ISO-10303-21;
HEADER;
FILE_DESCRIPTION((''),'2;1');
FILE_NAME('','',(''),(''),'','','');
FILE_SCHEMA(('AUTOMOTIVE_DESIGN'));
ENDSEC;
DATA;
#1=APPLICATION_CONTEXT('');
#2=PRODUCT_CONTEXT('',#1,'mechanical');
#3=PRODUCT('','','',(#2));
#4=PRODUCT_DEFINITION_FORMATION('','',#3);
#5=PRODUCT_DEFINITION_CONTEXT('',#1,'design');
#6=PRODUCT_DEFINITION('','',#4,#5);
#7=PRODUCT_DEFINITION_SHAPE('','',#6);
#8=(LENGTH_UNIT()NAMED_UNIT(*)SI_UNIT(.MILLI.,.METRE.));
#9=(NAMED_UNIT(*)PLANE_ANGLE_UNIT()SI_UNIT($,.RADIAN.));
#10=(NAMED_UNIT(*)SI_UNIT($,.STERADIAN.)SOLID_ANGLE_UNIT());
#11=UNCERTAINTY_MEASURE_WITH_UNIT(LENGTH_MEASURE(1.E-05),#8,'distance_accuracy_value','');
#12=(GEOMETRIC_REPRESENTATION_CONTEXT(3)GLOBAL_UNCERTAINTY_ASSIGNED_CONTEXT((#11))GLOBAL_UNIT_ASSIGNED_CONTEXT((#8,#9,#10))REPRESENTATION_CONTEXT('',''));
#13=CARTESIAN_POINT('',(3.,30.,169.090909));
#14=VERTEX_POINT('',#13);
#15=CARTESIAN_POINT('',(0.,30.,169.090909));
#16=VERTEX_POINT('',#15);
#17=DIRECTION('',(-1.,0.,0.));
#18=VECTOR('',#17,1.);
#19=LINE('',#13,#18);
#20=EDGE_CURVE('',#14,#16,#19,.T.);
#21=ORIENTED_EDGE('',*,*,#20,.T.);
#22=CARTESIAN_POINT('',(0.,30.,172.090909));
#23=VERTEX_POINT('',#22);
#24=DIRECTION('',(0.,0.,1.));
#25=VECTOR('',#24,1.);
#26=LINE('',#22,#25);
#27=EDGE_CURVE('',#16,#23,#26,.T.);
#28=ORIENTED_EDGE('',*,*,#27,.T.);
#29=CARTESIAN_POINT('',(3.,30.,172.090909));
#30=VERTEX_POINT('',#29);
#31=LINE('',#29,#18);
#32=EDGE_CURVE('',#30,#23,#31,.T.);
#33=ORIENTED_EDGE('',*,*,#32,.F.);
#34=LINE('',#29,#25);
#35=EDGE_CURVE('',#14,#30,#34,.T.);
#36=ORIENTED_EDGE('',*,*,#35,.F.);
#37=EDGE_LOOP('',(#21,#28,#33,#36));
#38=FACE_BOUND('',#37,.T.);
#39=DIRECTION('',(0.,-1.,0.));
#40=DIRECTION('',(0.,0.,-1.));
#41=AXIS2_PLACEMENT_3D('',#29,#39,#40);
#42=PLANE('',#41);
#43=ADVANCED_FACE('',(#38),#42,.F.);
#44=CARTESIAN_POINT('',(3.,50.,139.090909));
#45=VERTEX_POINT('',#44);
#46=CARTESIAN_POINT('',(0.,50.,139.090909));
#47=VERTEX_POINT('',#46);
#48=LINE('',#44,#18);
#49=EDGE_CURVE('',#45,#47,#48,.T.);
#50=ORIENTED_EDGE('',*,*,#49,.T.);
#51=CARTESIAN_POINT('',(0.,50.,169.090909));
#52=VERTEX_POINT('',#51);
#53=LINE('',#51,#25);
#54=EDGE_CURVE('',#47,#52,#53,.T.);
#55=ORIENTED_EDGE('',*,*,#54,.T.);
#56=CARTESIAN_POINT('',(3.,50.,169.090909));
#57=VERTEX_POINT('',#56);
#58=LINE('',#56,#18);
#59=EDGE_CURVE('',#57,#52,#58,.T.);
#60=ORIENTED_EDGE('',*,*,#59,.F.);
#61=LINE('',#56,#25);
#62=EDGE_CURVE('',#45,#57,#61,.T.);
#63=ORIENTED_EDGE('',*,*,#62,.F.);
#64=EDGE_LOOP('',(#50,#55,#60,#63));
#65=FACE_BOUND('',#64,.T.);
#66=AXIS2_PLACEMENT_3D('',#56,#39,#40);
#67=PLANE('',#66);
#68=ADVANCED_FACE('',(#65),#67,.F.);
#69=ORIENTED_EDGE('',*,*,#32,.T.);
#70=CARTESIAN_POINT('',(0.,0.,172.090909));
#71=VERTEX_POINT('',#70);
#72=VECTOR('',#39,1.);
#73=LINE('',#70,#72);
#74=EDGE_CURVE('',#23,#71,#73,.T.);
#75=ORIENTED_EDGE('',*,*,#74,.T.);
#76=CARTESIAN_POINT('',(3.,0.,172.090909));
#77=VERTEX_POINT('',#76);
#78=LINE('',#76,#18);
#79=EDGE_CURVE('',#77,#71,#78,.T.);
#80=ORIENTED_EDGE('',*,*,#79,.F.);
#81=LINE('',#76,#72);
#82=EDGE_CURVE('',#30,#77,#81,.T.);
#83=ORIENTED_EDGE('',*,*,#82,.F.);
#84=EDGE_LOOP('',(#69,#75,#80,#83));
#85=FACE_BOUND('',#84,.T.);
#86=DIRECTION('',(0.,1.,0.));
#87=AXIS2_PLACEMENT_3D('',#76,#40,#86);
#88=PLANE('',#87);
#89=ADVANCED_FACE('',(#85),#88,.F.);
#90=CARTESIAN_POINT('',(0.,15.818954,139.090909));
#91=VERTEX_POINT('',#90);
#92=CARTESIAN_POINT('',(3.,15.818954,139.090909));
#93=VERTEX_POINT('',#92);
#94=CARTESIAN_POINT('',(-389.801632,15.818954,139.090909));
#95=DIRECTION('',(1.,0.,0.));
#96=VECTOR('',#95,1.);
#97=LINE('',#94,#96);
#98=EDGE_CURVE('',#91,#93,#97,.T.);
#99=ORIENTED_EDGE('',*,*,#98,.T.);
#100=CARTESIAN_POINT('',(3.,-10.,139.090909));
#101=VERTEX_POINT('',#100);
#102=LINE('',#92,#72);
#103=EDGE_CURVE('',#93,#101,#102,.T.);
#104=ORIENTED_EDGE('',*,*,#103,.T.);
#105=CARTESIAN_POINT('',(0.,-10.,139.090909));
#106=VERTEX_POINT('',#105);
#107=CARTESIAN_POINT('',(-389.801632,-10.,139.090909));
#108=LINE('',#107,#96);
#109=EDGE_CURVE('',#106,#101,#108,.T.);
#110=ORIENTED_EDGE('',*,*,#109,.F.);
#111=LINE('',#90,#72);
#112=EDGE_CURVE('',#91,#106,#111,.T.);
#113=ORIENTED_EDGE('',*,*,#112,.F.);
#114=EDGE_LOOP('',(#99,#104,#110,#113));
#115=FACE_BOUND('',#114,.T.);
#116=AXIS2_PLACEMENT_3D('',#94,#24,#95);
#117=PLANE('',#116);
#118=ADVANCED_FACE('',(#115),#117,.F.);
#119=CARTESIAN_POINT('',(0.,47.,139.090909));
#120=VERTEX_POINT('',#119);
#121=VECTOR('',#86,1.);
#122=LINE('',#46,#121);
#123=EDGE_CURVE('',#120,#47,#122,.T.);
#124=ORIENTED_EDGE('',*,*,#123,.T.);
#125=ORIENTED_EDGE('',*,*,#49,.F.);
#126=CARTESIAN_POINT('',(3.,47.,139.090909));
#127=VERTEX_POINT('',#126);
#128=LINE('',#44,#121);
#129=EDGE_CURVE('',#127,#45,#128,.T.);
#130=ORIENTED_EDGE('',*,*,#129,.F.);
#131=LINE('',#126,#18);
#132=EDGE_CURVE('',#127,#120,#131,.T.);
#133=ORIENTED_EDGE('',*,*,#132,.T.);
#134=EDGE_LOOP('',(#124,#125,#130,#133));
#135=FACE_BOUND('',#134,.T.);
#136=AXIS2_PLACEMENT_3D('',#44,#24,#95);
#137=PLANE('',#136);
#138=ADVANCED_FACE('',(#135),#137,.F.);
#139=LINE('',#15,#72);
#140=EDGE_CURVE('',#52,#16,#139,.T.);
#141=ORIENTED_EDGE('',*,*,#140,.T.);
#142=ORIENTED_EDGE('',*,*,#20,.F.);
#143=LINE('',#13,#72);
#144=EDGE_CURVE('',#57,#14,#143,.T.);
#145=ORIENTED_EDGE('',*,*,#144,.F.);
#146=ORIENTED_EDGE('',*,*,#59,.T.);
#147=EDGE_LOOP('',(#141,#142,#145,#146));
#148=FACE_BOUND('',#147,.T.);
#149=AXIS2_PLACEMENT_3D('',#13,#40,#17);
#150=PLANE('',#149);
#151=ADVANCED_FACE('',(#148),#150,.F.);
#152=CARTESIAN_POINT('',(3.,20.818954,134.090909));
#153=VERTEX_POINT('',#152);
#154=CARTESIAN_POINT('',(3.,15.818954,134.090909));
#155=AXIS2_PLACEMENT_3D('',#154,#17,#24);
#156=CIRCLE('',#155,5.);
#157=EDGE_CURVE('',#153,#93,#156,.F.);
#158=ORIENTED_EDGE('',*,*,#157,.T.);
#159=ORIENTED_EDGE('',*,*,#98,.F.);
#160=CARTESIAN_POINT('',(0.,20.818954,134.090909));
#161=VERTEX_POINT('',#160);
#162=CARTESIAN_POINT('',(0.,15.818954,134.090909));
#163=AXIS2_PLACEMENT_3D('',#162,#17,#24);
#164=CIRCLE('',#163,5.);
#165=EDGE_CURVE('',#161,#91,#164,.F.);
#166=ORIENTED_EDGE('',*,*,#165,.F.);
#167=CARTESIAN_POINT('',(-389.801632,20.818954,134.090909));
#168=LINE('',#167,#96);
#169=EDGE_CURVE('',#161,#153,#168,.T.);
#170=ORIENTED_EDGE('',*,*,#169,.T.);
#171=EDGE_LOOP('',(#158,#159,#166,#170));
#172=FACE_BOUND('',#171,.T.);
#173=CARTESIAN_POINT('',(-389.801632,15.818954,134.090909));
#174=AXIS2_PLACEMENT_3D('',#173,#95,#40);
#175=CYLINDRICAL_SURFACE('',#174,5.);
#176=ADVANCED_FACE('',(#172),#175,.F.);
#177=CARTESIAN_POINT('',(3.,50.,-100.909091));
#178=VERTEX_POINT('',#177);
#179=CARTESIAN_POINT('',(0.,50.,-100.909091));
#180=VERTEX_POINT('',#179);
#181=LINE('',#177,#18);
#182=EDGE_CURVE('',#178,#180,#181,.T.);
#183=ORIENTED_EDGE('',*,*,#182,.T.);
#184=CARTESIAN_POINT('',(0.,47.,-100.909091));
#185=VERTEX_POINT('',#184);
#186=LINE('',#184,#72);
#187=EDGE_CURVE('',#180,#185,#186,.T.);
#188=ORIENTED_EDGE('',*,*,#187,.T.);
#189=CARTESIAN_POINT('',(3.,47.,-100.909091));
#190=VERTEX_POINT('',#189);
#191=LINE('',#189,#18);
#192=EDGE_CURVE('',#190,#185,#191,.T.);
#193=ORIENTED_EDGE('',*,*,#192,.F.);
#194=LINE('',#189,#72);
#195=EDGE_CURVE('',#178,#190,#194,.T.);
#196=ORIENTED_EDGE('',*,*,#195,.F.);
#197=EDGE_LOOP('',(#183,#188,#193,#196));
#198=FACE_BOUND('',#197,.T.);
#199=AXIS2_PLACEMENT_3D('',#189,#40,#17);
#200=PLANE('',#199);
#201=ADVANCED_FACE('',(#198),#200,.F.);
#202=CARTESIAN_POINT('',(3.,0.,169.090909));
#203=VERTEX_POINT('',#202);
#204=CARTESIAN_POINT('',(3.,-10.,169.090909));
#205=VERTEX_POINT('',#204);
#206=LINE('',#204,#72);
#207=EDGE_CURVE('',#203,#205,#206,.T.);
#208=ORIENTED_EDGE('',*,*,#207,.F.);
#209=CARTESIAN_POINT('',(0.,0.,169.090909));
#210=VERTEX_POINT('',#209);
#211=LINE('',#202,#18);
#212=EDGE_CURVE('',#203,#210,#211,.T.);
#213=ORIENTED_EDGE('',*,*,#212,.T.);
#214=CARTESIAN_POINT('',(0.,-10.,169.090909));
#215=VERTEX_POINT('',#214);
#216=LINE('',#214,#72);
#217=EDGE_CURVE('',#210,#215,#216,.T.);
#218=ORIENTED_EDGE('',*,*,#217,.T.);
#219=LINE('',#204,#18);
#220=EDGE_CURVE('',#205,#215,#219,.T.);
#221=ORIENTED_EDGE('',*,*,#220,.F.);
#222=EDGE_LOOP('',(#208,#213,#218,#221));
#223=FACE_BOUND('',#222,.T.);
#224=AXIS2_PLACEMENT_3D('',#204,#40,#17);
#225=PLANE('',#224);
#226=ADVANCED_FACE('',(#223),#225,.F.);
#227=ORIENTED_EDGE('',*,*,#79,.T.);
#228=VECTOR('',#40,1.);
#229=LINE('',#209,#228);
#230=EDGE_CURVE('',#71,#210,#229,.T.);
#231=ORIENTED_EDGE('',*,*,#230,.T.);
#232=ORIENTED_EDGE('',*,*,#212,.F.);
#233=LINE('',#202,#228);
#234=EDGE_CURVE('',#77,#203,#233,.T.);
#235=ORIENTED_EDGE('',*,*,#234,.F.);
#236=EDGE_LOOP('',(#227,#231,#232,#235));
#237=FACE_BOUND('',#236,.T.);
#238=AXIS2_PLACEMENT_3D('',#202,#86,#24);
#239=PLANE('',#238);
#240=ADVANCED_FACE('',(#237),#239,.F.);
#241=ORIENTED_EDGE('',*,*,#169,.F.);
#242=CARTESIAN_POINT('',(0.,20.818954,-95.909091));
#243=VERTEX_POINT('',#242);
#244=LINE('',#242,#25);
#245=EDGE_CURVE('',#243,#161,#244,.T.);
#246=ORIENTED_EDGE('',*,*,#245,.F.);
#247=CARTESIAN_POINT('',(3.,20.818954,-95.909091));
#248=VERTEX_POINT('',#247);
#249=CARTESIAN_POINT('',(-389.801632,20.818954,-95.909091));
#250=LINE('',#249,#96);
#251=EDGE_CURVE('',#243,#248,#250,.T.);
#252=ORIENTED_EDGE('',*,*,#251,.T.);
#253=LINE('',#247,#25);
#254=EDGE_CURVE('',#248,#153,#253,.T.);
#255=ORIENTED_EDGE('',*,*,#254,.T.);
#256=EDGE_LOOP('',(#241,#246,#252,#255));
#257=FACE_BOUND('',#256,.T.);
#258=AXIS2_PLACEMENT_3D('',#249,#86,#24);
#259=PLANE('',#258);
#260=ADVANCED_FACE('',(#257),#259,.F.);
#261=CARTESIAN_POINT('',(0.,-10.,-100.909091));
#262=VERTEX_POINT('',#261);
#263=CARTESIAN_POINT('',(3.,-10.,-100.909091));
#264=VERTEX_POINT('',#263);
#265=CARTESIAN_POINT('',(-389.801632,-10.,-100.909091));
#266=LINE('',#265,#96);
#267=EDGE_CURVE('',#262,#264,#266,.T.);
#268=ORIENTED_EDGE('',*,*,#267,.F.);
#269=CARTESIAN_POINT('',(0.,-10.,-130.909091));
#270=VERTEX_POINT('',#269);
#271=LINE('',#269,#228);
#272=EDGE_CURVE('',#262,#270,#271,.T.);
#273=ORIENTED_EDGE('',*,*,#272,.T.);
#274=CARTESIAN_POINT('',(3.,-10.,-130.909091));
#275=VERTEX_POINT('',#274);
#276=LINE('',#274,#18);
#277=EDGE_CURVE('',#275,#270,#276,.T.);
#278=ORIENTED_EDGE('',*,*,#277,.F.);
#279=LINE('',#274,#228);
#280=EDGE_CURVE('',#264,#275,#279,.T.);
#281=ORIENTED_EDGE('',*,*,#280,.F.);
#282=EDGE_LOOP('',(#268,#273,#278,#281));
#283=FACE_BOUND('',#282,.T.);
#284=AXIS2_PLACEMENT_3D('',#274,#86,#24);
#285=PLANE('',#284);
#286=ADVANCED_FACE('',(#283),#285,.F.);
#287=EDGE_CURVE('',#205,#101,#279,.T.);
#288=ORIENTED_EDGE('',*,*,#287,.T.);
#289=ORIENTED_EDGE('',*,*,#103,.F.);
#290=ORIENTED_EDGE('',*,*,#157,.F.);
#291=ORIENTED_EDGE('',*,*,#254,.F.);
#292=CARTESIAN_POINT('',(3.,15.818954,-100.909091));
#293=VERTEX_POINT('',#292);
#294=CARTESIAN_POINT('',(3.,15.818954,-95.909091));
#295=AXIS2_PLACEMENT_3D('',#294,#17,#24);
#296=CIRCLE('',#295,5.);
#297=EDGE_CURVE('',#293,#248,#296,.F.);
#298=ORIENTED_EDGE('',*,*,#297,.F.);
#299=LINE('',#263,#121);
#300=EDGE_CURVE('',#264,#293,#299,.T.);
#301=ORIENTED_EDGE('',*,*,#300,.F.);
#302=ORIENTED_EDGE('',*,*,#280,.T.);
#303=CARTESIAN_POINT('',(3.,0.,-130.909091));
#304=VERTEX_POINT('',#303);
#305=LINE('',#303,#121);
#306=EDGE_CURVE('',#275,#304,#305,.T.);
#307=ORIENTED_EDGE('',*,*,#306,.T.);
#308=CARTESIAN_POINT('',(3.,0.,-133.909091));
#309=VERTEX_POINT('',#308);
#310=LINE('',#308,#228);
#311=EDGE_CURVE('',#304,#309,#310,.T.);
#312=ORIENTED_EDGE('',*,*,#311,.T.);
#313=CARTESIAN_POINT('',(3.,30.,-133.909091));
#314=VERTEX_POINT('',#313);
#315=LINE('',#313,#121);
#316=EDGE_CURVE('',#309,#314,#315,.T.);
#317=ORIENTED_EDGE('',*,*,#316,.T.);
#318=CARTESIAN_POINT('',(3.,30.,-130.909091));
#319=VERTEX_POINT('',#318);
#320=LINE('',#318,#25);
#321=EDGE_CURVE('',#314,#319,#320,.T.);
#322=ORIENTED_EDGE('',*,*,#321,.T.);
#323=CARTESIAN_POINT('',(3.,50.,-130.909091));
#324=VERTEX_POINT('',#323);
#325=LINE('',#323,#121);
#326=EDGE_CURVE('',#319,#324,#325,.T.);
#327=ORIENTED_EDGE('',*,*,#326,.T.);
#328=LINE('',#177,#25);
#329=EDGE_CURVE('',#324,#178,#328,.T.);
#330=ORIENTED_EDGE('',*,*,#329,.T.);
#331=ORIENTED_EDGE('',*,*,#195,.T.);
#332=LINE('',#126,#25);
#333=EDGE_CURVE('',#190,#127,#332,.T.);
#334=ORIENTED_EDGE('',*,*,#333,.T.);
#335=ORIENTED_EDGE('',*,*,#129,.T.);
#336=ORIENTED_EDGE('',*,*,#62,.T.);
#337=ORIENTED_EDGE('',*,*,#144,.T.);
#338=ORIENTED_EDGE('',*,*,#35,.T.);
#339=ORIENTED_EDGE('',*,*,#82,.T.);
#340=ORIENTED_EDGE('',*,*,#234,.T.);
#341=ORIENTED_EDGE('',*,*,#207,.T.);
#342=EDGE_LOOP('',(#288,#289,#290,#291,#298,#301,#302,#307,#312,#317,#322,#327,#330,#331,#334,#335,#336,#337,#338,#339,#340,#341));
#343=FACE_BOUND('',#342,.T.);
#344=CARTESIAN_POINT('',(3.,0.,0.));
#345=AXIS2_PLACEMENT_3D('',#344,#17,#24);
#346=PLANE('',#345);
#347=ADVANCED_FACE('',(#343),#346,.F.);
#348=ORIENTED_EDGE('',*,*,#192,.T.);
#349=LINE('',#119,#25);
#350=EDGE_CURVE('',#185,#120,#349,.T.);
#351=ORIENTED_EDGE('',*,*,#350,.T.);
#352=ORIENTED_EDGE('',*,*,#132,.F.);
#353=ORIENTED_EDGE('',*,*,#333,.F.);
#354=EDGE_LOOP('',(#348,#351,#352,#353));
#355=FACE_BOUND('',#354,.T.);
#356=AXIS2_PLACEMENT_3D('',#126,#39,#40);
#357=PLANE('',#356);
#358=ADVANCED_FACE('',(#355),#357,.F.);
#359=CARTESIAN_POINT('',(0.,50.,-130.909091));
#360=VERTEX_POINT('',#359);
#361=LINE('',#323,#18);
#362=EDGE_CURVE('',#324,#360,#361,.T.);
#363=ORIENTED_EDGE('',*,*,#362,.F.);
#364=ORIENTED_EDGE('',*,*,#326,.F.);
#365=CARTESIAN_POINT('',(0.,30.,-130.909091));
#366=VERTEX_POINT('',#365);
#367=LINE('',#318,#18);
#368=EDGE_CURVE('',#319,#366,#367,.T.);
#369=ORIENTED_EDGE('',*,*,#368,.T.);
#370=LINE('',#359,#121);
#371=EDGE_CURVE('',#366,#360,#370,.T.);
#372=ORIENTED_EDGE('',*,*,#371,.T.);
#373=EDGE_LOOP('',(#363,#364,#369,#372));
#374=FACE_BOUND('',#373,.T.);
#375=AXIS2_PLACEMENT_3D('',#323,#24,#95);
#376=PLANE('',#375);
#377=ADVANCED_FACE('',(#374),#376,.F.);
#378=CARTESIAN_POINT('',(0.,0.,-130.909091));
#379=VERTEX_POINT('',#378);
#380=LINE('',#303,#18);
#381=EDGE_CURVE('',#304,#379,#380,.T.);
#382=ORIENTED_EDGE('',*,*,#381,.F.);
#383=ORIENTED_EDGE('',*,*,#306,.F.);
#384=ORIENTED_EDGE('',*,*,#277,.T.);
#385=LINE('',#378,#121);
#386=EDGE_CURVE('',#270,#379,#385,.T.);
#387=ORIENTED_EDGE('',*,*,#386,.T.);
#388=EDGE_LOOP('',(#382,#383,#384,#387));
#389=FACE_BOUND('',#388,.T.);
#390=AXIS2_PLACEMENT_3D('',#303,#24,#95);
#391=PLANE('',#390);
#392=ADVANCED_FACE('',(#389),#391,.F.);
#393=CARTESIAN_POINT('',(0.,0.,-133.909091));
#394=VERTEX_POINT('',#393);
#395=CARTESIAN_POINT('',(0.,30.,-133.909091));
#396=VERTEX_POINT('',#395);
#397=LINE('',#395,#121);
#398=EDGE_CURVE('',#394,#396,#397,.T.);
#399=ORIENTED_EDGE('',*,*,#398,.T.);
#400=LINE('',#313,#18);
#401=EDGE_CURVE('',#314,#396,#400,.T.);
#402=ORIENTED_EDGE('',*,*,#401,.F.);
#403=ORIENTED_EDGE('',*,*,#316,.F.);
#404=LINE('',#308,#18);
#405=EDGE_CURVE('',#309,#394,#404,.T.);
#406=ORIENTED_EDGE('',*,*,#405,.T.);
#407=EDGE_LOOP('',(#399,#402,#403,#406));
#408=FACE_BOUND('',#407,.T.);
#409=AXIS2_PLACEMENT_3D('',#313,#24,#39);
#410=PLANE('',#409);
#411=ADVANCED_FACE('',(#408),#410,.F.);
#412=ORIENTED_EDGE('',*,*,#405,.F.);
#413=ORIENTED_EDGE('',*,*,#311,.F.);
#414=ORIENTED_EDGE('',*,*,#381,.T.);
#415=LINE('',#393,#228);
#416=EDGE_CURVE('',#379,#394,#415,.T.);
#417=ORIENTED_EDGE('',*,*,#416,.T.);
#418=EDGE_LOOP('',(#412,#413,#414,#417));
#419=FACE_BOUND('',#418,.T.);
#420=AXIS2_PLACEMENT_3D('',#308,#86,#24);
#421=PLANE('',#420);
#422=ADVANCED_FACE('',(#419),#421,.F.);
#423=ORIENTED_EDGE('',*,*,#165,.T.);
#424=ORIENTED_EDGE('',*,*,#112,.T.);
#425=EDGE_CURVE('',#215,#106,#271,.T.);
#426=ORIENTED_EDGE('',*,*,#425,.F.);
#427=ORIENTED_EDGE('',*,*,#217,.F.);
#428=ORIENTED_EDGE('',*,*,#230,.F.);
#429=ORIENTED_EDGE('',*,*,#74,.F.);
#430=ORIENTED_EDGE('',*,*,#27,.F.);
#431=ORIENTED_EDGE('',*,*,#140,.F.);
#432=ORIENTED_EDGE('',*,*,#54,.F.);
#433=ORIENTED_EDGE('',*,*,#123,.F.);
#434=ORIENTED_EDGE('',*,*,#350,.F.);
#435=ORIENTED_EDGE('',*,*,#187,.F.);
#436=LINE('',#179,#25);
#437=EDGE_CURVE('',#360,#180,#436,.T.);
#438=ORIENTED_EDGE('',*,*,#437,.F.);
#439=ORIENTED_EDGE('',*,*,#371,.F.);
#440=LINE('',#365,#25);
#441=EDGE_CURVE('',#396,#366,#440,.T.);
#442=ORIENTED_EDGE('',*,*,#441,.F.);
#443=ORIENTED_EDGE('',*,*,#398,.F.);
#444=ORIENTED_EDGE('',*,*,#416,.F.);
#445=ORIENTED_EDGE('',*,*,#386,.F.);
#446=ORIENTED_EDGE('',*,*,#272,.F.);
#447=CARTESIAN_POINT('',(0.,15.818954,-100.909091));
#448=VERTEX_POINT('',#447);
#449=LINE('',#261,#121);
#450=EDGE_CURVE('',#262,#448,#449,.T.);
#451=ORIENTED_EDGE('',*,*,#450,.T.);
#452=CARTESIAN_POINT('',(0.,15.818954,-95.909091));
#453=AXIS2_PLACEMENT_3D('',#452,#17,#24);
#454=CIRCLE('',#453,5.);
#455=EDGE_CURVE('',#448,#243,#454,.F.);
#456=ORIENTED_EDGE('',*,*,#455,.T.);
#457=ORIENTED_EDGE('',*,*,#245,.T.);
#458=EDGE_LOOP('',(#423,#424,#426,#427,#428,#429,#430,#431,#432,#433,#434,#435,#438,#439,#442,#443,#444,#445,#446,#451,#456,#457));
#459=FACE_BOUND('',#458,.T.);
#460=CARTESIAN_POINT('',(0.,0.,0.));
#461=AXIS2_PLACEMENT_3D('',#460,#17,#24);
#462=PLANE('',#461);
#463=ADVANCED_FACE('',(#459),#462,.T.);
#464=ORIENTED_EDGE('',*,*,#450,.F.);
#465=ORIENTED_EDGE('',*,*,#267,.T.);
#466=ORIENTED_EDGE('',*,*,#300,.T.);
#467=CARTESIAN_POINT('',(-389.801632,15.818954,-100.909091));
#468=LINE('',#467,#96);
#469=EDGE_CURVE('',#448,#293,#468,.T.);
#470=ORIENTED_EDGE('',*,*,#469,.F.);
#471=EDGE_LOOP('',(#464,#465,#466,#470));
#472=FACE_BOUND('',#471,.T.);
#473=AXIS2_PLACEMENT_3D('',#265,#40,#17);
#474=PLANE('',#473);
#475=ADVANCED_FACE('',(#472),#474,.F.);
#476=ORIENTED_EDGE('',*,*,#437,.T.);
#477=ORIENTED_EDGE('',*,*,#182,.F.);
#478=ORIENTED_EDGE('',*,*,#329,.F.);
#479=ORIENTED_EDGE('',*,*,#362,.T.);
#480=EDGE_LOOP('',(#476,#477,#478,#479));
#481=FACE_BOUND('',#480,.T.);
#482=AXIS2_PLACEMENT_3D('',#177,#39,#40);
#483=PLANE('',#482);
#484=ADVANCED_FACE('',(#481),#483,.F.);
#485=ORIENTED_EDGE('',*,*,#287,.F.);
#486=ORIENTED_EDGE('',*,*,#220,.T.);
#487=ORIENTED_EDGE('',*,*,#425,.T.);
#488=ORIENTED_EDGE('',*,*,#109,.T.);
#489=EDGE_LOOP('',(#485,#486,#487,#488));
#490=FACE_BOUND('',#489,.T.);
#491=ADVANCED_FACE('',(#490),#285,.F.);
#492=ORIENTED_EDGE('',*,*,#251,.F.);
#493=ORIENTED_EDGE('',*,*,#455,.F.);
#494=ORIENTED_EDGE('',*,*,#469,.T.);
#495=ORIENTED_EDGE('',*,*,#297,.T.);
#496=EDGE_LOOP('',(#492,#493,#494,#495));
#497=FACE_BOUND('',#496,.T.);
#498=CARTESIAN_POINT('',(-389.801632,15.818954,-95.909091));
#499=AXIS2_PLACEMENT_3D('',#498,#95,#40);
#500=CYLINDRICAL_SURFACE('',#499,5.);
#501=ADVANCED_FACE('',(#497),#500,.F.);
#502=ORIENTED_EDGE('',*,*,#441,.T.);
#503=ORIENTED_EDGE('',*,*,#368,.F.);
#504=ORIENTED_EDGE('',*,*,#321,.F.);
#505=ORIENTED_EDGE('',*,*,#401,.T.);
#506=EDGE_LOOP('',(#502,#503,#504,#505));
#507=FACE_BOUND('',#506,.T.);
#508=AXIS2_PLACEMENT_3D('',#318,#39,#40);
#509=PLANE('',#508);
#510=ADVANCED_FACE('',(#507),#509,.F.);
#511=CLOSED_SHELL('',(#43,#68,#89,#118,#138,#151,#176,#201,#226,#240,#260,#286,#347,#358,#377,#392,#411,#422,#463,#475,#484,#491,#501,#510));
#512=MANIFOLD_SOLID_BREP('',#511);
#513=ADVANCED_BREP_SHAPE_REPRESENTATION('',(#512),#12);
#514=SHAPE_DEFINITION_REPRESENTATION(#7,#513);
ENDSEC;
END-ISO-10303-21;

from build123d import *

# Parameters (mm, degrees)
BOSS_EXTRUDE1_DEPTH     = 3
CUT_EXTRUDE2_DEPTH      = 180.232477503
CUT_EXTRUDE2_DEPTH_BACK = 3


with BuildPart() as part:
    # Sketch1 → Boss-Extrude1 (new body)
    with BuildSketch(Plane(origin=(0, 0, 0), x_dir=(0, 0, -1), z_dir=(1, 0, 0))):
        Polygon((-169.090909091, 50), (-139.090909091, 50), (-139.090909091, 47), (100.909090909, 47), (100.909090909, 50), (130.909090909, 50), (130.909090909, 30), (133.909090909, 30), (133.909090909, 0), (130.909090909, 0), (130.909090909, -10), (-169.090909091, -10), (-169.090909091, 0), (-172.090909091, 0), (-172.090909091, 30), (-169.090909091, 30), align=None)
    extrude(amount=BOSS_EXTRUDE1_DEPTH)

    # Sketch2 → Cut-Extrude2 (cut, two sides: drawn at the far end of the back side and taken through both)
    with BuildSketch(Plane.ZY.offset(-CUT_EXTRUDE2_DEPTH_BACK)):
        with BuildLine():
            Line((-100.909090909, -579.031305027), (-100.909090909, -10))
            Line((-100.909090909, -10), (-100.909090909, 15.818953756))
            ThreePointArc((-100.909090909, 15.818953756), (-99.444624815, 19.354487662), (-95.909090909, 20.818953756))
            Line((-95.909090909, 20.818953756), (134.090909091, 20.818953756))
            ThreePointArc((134.090909091, 20.818953756), (137.626442997, 19.354487662), (139.090909091, 15.818953756))
            Line((139.090909091, 15.818953756), (139.090909091, -10))
            Line((139.090909091, -10), (139.090909091, -579.031305027))
            Line((139.090909091, -579.031305027), (139.090909091, -1717.09391508))
            Line((139.090909091, -1717.09391508), (-100.909090909, -1717.09391508))
            Line((-100.909090909, -1717.09391508), (-100.909090909, -579.031305027))
        make_face()
    extrude(amount=CUT_EXTRUDE2_DEPTH + CUT_EXTRUDE2_DEPTH_BACK, mode=Mode.SUBTRACT)


solid = part.part
